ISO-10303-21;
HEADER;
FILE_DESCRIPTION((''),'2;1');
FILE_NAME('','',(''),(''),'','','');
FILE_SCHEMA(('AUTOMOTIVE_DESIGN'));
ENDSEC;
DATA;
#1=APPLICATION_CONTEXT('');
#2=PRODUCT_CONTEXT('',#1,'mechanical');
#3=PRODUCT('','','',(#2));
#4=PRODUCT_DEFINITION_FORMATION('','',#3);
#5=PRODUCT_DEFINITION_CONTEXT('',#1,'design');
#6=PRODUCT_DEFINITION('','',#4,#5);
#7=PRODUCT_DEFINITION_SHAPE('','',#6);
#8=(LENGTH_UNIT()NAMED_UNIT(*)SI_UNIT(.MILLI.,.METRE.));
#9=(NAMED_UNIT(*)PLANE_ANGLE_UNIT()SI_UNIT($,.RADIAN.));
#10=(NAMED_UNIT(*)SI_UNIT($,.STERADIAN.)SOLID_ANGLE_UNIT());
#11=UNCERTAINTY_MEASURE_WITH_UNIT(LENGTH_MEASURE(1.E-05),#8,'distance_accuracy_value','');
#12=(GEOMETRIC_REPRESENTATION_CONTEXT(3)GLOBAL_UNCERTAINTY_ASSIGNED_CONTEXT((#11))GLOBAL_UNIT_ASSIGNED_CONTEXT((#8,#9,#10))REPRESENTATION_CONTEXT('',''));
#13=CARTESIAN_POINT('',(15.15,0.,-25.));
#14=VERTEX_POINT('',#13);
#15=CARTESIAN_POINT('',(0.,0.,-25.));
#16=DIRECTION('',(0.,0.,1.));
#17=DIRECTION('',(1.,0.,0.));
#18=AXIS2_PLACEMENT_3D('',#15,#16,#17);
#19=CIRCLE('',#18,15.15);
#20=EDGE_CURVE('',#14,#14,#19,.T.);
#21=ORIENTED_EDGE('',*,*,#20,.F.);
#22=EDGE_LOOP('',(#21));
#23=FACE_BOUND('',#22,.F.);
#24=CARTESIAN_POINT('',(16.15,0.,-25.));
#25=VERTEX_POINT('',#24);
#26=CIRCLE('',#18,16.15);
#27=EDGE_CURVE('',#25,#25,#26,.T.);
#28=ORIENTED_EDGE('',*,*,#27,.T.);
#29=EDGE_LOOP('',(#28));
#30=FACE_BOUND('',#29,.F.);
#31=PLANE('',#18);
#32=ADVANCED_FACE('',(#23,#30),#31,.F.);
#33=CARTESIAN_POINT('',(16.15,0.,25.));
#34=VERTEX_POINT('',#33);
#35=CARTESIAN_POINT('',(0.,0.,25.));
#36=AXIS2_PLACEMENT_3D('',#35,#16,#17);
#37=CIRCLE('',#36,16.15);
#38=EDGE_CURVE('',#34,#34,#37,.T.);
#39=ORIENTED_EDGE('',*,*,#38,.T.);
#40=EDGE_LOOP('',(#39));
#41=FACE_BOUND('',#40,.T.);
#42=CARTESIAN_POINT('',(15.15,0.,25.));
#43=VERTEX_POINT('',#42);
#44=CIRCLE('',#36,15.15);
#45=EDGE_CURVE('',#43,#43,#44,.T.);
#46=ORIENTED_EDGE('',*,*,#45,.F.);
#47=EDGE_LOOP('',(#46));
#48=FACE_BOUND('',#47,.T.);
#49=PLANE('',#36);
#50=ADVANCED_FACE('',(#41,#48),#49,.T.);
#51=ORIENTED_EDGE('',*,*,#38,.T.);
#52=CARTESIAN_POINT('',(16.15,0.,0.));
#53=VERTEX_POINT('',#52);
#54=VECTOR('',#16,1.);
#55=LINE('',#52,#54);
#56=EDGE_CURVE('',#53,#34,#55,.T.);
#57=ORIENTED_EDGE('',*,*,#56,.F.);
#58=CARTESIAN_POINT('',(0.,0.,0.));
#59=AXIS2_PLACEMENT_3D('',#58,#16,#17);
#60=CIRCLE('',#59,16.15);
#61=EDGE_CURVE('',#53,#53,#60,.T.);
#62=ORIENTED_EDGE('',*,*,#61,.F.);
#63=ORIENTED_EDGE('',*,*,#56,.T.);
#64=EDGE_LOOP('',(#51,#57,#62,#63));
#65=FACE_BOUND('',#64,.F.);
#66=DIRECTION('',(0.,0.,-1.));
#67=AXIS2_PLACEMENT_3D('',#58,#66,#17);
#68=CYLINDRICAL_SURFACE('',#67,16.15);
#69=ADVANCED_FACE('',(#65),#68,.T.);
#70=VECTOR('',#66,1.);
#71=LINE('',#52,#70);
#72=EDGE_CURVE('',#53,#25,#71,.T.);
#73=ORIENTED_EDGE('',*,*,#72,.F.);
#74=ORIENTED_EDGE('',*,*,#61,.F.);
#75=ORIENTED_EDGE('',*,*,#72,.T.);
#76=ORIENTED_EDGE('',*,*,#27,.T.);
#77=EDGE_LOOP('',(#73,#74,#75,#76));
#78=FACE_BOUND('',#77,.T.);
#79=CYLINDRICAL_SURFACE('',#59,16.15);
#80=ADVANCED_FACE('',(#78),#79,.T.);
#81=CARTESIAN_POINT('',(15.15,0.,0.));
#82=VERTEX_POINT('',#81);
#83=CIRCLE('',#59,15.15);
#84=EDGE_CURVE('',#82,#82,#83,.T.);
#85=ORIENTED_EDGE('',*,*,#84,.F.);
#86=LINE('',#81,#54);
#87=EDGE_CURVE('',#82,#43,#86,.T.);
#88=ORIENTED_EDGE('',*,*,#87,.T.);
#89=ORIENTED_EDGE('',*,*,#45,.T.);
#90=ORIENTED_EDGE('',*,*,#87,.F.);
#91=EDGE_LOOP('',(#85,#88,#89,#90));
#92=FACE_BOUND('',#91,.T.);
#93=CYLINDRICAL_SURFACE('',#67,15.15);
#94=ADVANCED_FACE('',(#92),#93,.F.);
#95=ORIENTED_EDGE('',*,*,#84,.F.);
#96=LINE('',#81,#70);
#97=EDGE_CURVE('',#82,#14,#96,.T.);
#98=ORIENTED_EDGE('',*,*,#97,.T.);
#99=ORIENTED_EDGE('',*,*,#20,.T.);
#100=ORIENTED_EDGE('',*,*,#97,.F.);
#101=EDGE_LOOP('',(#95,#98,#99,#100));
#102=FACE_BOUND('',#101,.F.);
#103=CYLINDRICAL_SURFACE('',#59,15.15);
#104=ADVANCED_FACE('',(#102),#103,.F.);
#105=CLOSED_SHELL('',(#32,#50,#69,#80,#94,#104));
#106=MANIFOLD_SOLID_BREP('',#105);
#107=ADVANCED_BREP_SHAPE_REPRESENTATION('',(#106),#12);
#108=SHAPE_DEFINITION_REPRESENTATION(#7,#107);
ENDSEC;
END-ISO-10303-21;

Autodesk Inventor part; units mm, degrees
ref_plane "YZ Plane" through (0, 0, 0) normal (1, 0, 0) x (0, 1, 0)
ref_plane "XZ Plane" through (0, 0, 0) normal (0, 1, 0) x (-1, 0, 0)
ref_plane "XY Plane" through (0, 0, 0) normal (0, 0, 1) x (1, 0, 0)
sketch "Sketch1" plane through (0, 0, 0) normal (0, 0, 1) x (1, 0, 0)
  circle A0 centre (0, 0) radius 15.15
  circle A1 centre (0, 0) radius 16.15
  dimension "d0" = 32.3
  dimension "d1" = 30.3
  dimension "d4" = 1
extrude "Extrusion1" add sketch "Sketch1" along normal mid plane 50
properties part number "tube_5cm"
